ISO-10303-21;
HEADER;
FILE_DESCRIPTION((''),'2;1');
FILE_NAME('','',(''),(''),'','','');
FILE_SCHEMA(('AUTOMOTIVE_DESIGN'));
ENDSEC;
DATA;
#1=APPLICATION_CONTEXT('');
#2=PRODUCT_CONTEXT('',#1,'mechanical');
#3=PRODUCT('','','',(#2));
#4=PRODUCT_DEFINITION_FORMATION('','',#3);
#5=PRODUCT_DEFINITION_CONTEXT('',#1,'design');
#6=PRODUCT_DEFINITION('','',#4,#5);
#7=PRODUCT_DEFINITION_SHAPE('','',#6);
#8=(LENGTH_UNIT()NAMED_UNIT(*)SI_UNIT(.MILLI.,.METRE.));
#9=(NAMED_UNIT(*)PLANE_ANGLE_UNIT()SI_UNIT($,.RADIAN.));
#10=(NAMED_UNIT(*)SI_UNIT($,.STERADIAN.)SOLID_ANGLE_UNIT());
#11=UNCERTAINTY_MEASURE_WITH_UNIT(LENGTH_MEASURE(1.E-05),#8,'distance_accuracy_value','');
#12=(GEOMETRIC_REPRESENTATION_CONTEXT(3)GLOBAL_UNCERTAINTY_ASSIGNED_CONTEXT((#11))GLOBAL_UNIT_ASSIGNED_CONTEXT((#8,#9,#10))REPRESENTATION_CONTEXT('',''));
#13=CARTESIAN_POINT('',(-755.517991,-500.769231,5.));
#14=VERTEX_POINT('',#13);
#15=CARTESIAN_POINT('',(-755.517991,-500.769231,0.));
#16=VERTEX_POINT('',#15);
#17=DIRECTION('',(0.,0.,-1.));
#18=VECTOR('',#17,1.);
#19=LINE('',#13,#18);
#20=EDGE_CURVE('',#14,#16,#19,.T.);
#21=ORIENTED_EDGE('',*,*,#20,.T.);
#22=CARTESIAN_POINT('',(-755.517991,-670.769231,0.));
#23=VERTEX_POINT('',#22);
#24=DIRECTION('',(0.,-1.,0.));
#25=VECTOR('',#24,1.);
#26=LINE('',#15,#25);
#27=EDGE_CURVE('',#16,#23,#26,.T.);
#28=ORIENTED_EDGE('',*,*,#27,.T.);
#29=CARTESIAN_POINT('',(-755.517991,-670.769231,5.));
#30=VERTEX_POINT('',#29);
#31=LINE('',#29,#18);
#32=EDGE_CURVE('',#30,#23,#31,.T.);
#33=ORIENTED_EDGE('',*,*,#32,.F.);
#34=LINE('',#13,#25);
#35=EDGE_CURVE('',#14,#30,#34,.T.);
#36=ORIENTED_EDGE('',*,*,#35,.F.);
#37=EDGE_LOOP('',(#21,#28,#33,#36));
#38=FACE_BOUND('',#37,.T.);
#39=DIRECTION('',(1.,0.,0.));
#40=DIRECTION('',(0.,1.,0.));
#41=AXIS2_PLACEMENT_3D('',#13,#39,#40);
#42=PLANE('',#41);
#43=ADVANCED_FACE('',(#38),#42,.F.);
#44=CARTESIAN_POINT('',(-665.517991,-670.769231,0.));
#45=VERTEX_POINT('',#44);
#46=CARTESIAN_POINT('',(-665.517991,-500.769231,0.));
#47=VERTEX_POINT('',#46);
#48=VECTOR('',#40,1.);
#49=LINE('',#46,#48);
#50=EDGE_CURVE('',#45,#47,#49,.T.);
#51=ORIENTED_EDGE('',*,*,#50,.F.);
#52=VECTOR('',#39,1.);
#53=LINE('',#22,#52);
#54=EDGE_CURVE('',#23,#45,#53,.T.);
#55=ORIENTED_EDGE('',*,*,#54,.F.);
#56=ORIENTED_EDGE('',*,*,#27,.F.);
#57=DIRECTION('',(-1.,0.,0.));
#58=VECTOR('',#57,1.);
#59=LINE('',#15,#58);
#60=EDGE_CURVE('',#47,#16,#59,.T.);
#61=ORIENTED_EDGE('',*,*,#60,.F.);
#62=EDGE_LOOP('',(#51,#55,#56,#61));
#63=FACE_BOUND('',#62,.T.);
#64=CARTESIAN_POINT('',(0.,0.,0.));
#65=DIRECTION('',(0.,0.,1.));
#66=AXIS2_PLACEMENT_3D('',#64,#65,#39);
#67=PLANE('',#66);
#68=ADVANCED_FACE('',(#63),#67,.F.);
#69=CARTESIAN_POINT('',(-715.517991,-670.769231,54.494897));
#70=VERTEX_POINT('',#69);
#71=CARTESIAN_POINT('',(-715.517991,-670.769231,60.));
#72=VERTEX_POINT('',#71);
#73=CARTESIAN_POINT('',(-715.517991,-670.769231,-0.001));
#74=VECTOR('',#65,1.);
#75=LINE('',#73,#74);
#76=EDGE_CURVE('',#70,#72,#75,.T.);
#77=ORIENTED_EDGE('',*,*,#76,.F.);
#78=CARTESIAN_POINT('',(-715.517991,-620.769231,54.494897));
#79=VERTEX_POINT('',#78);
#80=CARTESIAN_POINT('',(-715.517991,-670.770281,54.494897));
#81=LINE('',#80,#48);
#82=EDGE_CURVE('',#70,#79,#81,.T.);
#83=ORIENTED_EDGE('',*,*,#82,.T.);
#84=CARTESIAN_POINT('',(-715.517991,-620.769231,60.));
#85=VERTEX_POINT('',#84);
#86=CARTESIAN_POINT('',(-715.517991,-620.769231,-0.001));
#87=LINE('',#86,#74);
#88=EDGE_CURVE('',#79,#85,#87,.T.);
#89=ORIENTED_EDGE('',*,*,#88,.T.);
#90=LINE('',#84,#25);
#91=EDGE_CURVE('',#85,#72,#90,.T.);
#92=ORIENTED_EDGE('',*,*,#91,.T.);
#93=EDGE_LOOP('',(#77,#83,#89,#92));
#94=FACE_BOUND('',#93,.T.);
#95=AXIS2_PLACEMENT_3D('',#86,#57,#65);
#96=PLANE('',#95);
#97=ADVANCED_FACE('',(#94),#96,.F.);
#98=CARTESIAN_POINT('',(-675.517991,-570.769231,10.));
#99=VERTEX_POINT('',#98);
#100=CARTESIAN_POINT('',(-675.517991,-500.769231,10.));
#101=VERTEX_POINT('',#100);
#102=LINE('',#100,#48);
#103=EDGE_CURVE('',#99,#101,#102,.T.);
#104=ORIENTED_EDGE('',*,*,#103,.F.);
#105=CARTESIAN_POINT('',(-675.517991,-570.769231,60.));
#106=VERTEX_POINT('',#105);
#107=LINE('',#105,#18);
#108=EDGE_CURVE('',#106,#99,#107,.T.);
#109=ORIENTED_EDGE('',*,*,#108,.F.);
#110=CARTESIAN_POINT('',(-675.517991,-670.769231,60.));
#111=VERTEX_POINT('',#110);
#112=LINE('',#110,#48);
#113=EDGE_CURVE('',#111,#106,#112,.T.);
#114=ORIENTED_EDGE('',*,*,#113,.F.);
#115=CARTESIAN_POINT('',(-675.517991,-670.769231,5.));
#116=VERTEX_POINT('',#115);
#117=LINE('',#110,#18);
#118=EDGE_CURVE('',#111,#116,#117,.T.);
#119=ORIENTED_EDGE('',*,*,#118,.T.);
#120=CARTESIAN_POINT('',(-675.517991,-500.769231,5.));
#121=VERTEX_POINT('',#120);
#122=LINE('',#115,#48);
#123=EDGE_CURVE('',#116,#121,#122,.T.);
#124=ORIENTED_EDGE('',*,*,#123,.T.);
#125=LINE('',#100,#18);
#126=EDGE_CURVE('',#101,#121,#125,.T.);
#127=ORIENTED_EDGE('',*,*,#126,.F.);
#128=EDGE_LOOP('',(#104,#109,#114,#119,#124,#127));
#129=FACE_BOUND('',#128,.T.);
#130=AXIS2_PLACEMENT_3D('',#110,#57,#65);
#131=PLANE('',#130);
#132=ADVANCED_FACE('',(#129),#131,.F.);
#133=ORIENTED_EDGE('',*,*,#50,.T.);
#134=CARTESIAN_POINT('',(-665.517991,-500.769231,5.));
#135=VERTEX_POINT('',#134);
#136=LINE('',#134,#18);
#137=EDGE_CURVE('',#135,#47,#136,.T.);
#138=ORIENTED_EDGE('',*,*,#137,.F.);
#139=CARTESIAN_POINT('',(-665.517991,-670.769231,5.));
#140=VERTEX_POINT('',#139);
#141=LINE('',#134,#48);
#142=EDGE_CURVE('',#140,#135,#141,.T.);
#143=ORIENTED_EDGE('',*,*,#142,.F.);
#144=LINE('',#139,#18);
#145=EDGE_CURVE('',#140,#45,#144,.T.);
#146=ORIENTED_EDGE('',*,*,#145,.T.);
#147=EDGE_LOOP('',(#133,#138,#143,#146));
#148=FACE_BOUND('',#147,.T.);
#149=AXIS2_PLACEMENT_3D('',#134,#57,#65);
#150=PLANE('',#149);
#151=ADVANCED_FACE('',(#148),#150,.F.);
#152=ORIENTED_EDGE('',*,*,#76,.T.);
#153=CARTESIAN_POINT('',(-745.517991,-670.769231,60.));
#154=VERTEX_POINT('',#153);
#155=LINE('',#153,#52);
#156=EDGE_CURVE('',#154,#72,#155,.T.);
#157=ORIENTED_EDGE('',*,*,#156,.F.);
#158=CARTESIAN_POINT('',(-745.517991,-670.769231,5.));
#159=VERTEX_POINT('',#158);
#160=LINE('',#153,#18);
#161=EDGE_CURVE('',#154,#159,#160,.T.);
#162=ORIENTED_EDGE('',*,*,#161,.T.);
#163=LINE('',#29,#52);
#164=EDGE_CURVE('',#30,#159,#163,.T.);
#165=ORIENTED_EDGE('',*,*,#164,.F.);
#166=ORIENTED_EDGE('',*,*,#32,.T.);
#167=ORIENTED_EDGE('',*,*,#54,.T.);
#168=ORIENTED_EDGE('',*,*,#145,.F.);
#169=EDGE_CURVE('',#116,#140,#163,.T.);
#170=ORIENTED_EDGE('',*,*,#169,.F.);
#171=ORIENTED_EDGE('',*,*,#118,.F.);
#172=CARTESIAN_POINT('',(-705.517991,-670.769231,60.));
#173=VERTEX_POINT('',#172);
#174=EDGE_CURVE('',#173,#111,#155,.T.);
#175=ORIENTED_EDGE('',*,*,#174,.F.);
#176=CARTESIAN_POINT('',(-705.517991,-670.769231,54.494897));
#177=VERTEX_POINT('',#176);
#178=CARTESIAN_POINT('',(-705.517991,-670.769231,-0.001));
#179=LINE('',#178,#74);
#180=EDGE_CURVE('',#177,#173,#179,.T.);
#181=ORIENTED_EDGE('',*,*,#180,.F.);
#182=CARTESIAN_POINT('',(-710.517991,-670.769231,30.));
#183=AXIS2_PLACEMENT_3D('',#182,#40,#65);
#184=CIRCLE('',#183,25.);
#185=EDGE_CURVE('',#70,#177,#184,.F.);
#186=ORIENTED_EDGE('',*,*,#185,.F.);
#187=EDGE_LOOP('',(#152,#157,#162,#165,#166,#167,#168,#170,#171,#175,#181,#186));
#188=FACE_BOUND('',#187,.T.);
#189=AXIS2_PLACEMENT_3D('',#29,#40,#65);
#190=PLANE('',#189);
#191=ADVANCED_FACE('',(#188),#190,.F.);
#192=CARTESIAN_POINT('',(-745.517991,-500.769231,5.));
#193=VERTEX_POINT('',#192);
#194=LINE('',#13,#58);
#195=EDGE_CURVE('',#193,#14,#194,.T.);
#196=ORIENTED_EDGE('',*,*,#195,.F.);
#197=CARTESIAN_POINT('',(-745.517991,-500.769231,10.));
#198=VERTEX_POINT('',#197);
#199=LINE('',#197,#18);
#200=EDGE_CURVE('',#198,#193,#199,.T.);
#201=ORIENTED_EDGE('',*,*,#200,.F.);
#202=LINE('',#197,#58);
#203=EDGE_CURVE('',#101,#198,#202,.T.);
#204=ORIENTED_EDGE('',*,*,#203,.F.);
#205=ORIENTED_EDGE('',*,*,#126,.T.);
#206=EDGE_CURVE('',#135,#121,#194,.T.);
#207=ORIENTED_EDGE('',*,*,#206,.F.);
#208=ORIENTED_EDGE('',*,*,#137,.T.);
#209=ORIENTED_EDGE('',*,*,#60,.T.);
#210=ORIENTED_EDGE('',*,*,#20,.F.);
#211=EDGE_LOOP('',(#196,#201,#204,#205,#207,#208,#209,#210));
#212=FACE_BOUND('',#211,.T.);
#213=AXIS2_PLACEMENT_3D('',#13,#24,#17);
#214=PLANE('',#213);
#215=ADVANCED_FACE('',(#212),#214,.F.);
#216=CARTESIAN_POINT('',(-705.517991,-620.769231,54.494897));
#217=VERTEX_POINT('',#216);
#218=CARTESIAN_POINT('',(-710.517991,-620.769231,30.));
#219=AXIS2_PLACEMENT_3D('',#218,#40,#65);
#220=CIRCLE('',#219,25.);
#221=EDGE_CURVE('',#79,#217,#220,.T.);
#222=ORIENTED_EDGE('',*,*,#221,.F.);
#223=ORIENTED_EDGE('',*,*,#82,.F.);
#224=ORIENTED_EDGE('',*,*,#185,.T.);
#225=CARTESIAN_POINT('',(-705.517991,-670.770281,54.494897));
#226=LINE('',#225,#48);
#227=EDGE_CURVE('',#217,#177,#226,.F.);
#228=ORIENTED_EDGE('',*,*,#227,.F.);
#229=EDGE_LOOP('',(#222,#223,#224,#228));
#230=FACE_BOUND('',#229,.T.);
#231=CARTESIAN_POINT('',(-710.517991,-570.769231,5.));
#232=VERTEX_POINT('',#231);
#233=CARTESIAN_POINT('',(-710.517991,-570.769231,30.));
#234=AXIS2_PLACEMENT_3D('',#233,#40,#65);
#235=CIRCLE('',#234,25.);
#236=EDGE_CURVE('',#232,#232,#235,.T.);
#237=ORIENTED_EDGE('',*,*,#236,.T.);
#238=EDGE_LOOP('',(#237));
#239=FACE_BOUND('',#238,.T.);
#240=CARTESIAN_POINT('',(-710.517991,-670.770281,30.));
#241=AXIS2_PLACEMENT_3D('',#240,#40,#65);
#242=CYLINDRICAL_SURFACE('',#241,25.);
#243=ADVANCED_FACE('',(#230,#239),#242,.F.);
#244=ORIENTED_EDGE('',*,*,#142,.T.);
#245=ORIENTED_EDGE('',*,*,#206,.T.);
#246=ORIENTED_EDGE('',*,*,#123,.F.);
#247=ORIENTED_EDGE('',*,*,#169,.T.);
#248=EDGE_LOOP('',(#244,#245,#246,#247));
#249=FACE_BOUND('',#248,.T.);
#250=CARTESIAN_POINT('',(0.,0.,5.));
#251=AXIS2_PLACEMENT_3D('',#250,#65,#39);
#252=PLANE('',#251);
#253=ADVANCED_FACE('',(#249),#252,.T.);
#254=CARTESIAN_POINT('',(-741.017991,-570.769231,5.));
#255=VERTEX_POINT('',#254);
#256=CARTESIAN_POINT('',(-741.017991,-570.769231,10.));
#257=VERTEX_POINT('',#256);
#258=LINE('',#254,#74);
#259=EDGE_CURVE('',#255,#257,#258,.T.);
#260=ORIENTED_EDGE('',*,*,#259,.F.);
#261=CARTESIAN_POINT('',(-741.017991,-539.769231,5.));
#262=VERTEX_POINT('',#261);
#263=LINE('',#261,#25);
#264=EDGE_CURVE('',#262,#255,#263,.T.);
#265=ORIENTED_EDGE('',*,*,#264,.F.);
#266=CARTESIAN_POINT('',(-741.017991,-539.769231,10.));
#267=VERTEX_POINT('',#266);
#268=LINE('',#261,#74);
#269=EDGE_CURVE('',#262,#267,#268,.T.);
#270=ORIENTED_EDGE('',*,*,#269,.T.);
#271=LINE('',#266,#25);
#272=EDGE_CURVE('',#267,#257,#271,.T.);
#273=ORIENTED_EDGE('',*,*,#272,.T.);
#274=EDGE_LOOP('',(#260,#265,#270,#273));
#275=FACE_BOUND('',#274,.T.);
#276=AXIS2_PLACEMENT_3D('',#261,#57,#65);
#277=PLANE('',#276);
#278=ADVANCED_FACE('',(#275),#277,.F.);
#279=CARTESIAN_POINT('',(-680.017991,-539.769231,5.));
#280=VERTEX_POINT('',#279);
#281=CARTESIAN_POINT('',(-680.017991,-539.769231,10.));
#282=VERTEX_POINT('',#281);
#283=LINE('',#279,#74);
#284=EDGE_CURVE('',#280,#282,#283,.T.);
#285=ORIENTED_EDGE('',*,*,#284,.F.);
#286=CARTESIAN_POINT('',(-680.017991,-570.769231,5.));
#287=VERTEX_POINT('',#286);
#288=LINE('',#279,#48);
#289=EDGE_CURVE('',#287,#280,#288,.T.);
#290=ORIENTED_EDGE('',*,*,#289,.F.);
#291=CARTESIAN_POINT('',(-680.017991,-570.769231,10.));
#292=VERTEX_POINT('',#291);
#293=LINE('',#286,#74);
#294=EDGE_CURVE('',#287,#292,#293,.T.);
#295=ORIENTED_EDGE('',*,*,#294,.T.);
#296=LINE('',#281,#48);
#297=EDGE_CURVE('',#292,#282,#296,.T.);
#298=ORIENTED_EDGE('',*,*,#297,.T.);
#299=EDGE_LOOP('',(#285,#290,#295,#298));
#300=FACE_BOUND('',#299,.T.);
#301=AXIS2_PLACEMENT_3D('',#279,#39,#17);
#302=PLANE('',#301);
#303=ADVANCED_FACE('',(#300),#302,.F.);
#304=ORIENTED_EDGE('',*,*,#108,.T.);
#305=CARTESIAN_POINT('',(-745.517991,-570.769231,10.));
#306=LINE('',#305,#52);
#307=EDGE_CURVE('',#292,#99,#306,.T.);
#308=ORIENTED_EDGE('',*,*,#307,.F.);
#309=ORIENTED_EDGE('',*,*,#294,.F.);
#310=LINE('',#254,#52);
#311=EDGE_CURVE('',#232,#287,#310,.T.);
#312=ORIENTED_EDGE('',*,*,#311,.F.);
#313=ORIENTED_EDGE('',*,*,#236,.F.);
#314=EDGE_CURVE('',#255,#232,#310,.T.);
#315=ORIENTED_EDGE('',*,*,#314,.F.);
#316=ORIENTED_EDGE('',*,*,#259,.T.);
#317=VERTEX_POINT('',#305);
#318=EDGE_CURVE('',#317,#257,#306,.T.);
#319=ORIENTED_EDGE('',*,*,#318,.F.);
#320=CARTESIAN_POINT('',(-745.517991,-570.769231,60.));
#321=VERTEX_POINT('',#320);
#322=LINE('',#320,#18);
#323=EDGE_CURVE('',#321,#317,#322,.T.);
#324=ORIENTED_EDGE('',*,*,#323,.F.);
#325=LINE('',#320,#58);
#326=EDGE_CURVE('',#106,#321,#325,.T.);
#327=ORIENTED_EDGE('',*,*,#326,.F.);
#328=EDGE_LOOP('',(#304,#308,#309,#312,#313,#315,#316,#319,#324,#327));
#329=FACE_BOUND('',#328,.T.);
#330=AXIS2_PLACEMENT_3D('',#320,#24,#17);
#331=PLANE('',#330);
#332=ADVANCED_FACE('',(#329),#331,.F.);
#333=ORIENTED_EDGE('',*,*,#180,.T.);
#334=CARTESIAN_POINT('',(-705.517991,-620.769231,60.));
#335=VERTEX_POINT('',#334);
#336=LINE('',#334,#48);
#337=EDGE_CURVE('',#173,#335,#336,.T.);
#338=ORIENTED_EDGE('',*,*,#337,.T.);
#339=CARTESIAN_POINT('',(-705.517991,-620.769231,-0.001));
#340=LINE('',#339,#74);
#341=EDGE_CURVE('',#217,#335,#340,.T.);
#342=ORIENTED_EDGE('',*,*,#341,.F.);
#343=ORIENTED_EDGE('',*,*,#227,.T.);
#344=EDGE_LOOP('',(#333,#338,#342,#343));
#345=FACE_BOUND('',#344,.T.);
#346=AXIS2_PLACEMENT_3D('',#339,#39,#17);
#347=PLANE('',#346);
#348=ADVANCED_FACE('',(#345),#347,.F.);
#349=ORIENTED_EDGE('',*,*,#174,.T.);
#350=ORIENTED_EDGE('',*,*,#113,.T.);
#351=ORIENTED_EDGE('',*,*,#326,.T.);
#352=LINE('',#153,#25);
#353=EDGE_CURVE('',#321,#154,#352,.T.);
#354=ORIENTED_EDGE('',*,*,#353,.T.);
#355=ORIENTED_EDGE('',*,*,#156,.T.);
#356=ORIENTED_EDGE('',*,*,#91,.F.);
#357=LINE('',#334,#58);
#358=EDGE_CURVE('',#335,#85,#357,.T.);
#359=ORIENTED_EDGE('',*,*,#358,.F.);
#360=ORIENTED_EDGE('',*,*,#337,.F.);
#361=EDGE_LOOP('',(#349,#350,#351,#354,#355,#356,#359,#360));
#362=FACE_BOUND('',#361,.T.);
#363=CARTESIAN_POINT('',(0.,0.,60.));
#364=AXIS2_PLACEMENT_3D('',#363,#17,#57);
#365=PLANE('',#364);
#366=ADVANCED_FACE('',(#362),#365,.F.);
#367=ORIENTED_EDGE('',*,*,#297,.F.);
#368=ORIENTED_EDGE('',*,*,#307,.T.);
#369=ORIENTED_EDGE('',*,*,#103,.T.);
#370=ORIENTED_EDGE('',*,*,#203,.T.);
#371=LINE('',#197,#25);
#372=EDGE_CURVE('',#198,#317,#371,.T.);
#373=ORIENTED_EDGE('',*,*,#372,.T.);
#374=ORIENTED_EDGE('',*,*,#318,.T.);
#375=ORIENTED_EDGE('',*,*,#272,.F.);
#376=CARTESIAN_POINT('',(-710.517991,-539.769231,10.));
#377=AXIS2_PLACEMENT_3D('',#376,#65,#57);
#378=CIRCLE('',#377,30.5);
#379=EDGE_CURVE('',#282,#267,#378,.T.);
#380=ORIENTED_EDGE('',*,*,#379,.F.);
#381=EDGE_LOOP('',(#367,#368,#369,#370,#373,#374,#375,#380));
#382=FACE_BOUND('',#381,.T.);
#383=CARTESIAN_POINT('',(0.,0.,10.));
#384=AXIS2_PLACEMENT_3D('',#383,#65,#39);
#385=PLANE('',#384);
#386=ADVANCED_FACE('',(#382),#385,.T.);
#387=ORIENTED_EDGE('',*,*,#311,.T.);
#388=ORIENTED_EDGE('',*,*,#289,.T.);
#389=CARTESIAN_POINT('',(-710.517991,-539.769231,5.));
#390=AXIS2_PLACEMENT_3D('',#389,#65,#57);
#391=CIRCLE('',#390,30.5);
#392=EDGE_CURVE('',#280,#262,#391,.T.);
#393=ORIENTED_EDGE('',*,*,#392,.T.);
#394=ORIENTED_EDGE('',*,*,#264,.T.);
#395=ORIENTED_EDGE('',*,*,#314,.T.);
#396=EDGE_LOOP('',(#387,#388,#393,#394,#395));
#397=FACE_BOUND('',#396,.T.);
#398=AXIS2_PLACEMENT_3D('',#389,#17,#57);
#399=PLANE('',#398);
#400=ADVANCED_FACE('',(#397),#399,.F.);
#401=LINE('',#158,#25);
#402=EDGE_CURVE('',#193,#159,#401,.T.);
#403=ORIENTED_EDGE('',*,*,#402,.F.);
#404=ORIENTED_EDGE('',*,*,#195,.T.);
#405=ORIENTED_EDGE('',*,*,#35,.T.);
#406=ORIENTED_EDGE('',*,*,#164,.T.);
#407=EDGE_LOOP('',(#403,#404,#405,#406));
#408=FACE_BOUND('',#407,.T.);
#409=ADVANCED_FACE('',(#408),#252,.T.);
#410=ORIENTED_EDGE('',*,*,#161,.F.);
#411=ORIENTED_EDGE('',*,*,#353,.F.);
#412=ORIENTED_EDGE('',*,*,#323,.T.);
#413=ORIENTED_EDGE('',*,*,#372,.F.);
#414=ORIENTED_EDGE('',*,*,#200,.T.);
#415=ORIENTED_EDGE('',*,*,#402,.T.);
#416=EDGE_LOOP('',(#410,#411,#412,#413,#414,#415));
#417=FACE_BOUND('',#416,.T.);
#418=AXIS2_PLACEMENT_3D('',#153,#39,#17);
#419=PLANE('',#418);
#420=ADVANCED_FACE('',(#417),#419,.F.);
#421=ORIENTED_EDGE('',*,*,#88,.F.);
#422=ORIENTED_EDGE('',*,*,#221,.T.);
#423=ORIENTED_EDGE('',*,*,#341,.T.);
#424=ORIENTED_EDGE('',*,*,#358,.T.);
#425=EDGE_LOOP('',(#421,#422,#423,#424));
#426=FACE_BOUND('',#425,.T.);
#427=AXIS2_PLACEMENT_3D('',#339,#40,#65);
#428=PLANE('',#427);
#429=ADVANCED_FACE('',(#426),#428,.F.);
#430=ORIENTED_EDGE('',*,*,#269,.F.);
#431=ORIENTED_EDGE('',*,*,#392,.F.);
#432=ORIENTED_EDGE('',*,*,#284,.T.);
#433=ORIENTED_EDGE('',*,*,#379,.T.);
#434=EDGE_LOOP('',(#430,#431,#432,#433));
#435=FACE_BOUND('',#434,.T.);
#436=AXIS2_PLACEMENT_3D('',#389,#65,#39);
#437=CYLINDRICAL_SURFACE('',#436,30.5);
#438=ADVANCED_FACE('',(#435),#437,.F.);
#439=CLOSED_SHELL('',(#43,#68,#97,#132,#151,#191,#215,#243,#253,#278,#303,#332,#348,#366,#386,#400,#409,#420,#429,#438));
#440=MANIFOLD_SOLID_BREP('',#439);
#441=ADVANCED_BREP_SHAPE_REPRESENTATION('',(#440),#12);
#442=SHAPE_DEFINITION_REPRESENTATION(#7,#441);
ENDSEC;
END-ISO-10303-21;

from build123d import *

# Parameters (mm, degrees)
ESQUISSE1_W                  = 90
ESQUISSE1_H                  = 170
BOSS_EXTRU_1_DEPTH           = 5
ESQUISSE2_W                  = 70
ESQUISSE2_H                  = 100
BOSS_EXTRU_2_DEPTH           = 55
ENL_V_MAT_EXTRU_2_REACH      = 766.465
ESQUISSE4_R                  = 25
ENL_V_MAT_EXTRU_3_REACH      = 1014.096
ENL_V_MAT_EXTRU_3_END_RADIUS = 25
ESQUISSE5_W                  = 10
ESQUISSE5_H                  = 50
ESQUISSE6_W                  = 70
ESQUISSE6_H                  = 70
BOSS_EXTRU_3_DEPTH           = 5
ENL_V_MAT_EXTRU_4_DEPTH      = 5


with BuildPart() as part:
    # Esquisse1 → Boss.-Extru.1 (new body)
    with BuildSketch(Plane.XY):
        with Locations((-710.517990966, -585.769230769)):
            Rectangle(ESQUISSE1_W, ESQUISSE1_H)
    extrude(amount=BOSS_EXTRU_1_DEPTH)

    # Esquisse2 → Boss.-Extru.2 (add)
    with BuildSketch(Plane.XY.offset(5)):
        with Locations((-710.517990966, -620.769230769)):
            Rectangle(ESQUISSE2_W, ESQUISSE2_H)
    extrude(amount=BOSS_EXTRU_2_DEPTH)

    # Esquisse4 → Enlèv. mat.-Extru.2 (cut, up to next)
    with BuildSketch(Plane(origin=(0, -570.769230769, 0), x_dir=(1, 0, 0), z_dir=(0, 1, 0)), mode=Mode.PRIVATE) as enl_v_mat_extru_2_sk1:
        with Locations(Location((-710.517990966, -30, 0), (0, 0, 270))):
            Circle(ESQUISSE4_R)
    enl_v_mat_extru_2_tool1 = extrude(enl_v_mat_extru_2_sk1.sketch, amount=-ENL_V_MAT_EXTRU_2_REACH, mode=Mode.PRIVATE) & part.part
    add(enl_v_mat_extru_2_tool1.solids().sort_by_distance((-710.517991, -570.769231, 30))[0], mode=Mode.SUBTRACT)

    # Enlèv. mat.-Extru.3: up to this cylinder (the profile starts outside it)
    enl_v_mat_extru_3_end = Plane(origin=(-710.517990966, -645.769231, 30), z_dir=(0, 1, 0)) * Cylinder(ENL_V_MAT_EXTRU_3_END_RADIUS, 2079.192, mode=Mode.PRIVATE)
    # Esquisse5 → Enlèv. mat.-Extru.3 (cut, up to the surface)
    with BuildSketch(Plane.XY.offset(60), mode=Mode.PRIVATE) as enl_v_mat_extru_3_sk1:
        with Locations((-710.517990966, -645.769230769)):
            Rectangle(ESQUISSE5_W, ESQUISSE5_H)
    enl_v_mat_extru_3_tool1 = extrude(enl_v_mat_extru_3_sk1.sketch, amount=-ENL_V_MAT_EXTRU_3_REACH, mode=Mode.PRIVATE) - enl_v_mat_extru_3_end
    add(enl_v_mat_extru_3_tool1.solids().sort_by_distance((-710.517991, -645.769231, 60))[0], mode=Mode.SUBTRACT)

    # Esquisse6 → Boss.-Extru.3 (add)
    with BuildSketch(Plane.XY.offset(5)):
        with Locations((-710.517990966, -535.769230769)):
            Rectangle(ESQUISSE6_W, ESQUISSE6_H)
    extrude(amount=BOSS_EXTRU_3_DEPTH)

    # Esquisse7 → Enlèv. mat.-Extru.4 (cut)
    with BuildSketch(Plane.XY.offset(10)):
        with BuildLine():
            Line((-741.017990966, -539.769230769), (-741.017990966, -570.769230769))
            Line((-741.017990966, -570.769230769), (-680.017990966, -570.769230769))
            Line((-680.017990966, -570.769230769), (-680.017990966, -539.769230769))
            ThreePointArc((-680.017990966, -539.769230769), (-710.517990966, -509.269230769), (-741.017990966, -539.769230769))
        make_face()
    extrude(amount=-ENL_V_MAT_EXTRU_4_DEPTH, mode=Mode.SUBTRACT)


solid = part.part
